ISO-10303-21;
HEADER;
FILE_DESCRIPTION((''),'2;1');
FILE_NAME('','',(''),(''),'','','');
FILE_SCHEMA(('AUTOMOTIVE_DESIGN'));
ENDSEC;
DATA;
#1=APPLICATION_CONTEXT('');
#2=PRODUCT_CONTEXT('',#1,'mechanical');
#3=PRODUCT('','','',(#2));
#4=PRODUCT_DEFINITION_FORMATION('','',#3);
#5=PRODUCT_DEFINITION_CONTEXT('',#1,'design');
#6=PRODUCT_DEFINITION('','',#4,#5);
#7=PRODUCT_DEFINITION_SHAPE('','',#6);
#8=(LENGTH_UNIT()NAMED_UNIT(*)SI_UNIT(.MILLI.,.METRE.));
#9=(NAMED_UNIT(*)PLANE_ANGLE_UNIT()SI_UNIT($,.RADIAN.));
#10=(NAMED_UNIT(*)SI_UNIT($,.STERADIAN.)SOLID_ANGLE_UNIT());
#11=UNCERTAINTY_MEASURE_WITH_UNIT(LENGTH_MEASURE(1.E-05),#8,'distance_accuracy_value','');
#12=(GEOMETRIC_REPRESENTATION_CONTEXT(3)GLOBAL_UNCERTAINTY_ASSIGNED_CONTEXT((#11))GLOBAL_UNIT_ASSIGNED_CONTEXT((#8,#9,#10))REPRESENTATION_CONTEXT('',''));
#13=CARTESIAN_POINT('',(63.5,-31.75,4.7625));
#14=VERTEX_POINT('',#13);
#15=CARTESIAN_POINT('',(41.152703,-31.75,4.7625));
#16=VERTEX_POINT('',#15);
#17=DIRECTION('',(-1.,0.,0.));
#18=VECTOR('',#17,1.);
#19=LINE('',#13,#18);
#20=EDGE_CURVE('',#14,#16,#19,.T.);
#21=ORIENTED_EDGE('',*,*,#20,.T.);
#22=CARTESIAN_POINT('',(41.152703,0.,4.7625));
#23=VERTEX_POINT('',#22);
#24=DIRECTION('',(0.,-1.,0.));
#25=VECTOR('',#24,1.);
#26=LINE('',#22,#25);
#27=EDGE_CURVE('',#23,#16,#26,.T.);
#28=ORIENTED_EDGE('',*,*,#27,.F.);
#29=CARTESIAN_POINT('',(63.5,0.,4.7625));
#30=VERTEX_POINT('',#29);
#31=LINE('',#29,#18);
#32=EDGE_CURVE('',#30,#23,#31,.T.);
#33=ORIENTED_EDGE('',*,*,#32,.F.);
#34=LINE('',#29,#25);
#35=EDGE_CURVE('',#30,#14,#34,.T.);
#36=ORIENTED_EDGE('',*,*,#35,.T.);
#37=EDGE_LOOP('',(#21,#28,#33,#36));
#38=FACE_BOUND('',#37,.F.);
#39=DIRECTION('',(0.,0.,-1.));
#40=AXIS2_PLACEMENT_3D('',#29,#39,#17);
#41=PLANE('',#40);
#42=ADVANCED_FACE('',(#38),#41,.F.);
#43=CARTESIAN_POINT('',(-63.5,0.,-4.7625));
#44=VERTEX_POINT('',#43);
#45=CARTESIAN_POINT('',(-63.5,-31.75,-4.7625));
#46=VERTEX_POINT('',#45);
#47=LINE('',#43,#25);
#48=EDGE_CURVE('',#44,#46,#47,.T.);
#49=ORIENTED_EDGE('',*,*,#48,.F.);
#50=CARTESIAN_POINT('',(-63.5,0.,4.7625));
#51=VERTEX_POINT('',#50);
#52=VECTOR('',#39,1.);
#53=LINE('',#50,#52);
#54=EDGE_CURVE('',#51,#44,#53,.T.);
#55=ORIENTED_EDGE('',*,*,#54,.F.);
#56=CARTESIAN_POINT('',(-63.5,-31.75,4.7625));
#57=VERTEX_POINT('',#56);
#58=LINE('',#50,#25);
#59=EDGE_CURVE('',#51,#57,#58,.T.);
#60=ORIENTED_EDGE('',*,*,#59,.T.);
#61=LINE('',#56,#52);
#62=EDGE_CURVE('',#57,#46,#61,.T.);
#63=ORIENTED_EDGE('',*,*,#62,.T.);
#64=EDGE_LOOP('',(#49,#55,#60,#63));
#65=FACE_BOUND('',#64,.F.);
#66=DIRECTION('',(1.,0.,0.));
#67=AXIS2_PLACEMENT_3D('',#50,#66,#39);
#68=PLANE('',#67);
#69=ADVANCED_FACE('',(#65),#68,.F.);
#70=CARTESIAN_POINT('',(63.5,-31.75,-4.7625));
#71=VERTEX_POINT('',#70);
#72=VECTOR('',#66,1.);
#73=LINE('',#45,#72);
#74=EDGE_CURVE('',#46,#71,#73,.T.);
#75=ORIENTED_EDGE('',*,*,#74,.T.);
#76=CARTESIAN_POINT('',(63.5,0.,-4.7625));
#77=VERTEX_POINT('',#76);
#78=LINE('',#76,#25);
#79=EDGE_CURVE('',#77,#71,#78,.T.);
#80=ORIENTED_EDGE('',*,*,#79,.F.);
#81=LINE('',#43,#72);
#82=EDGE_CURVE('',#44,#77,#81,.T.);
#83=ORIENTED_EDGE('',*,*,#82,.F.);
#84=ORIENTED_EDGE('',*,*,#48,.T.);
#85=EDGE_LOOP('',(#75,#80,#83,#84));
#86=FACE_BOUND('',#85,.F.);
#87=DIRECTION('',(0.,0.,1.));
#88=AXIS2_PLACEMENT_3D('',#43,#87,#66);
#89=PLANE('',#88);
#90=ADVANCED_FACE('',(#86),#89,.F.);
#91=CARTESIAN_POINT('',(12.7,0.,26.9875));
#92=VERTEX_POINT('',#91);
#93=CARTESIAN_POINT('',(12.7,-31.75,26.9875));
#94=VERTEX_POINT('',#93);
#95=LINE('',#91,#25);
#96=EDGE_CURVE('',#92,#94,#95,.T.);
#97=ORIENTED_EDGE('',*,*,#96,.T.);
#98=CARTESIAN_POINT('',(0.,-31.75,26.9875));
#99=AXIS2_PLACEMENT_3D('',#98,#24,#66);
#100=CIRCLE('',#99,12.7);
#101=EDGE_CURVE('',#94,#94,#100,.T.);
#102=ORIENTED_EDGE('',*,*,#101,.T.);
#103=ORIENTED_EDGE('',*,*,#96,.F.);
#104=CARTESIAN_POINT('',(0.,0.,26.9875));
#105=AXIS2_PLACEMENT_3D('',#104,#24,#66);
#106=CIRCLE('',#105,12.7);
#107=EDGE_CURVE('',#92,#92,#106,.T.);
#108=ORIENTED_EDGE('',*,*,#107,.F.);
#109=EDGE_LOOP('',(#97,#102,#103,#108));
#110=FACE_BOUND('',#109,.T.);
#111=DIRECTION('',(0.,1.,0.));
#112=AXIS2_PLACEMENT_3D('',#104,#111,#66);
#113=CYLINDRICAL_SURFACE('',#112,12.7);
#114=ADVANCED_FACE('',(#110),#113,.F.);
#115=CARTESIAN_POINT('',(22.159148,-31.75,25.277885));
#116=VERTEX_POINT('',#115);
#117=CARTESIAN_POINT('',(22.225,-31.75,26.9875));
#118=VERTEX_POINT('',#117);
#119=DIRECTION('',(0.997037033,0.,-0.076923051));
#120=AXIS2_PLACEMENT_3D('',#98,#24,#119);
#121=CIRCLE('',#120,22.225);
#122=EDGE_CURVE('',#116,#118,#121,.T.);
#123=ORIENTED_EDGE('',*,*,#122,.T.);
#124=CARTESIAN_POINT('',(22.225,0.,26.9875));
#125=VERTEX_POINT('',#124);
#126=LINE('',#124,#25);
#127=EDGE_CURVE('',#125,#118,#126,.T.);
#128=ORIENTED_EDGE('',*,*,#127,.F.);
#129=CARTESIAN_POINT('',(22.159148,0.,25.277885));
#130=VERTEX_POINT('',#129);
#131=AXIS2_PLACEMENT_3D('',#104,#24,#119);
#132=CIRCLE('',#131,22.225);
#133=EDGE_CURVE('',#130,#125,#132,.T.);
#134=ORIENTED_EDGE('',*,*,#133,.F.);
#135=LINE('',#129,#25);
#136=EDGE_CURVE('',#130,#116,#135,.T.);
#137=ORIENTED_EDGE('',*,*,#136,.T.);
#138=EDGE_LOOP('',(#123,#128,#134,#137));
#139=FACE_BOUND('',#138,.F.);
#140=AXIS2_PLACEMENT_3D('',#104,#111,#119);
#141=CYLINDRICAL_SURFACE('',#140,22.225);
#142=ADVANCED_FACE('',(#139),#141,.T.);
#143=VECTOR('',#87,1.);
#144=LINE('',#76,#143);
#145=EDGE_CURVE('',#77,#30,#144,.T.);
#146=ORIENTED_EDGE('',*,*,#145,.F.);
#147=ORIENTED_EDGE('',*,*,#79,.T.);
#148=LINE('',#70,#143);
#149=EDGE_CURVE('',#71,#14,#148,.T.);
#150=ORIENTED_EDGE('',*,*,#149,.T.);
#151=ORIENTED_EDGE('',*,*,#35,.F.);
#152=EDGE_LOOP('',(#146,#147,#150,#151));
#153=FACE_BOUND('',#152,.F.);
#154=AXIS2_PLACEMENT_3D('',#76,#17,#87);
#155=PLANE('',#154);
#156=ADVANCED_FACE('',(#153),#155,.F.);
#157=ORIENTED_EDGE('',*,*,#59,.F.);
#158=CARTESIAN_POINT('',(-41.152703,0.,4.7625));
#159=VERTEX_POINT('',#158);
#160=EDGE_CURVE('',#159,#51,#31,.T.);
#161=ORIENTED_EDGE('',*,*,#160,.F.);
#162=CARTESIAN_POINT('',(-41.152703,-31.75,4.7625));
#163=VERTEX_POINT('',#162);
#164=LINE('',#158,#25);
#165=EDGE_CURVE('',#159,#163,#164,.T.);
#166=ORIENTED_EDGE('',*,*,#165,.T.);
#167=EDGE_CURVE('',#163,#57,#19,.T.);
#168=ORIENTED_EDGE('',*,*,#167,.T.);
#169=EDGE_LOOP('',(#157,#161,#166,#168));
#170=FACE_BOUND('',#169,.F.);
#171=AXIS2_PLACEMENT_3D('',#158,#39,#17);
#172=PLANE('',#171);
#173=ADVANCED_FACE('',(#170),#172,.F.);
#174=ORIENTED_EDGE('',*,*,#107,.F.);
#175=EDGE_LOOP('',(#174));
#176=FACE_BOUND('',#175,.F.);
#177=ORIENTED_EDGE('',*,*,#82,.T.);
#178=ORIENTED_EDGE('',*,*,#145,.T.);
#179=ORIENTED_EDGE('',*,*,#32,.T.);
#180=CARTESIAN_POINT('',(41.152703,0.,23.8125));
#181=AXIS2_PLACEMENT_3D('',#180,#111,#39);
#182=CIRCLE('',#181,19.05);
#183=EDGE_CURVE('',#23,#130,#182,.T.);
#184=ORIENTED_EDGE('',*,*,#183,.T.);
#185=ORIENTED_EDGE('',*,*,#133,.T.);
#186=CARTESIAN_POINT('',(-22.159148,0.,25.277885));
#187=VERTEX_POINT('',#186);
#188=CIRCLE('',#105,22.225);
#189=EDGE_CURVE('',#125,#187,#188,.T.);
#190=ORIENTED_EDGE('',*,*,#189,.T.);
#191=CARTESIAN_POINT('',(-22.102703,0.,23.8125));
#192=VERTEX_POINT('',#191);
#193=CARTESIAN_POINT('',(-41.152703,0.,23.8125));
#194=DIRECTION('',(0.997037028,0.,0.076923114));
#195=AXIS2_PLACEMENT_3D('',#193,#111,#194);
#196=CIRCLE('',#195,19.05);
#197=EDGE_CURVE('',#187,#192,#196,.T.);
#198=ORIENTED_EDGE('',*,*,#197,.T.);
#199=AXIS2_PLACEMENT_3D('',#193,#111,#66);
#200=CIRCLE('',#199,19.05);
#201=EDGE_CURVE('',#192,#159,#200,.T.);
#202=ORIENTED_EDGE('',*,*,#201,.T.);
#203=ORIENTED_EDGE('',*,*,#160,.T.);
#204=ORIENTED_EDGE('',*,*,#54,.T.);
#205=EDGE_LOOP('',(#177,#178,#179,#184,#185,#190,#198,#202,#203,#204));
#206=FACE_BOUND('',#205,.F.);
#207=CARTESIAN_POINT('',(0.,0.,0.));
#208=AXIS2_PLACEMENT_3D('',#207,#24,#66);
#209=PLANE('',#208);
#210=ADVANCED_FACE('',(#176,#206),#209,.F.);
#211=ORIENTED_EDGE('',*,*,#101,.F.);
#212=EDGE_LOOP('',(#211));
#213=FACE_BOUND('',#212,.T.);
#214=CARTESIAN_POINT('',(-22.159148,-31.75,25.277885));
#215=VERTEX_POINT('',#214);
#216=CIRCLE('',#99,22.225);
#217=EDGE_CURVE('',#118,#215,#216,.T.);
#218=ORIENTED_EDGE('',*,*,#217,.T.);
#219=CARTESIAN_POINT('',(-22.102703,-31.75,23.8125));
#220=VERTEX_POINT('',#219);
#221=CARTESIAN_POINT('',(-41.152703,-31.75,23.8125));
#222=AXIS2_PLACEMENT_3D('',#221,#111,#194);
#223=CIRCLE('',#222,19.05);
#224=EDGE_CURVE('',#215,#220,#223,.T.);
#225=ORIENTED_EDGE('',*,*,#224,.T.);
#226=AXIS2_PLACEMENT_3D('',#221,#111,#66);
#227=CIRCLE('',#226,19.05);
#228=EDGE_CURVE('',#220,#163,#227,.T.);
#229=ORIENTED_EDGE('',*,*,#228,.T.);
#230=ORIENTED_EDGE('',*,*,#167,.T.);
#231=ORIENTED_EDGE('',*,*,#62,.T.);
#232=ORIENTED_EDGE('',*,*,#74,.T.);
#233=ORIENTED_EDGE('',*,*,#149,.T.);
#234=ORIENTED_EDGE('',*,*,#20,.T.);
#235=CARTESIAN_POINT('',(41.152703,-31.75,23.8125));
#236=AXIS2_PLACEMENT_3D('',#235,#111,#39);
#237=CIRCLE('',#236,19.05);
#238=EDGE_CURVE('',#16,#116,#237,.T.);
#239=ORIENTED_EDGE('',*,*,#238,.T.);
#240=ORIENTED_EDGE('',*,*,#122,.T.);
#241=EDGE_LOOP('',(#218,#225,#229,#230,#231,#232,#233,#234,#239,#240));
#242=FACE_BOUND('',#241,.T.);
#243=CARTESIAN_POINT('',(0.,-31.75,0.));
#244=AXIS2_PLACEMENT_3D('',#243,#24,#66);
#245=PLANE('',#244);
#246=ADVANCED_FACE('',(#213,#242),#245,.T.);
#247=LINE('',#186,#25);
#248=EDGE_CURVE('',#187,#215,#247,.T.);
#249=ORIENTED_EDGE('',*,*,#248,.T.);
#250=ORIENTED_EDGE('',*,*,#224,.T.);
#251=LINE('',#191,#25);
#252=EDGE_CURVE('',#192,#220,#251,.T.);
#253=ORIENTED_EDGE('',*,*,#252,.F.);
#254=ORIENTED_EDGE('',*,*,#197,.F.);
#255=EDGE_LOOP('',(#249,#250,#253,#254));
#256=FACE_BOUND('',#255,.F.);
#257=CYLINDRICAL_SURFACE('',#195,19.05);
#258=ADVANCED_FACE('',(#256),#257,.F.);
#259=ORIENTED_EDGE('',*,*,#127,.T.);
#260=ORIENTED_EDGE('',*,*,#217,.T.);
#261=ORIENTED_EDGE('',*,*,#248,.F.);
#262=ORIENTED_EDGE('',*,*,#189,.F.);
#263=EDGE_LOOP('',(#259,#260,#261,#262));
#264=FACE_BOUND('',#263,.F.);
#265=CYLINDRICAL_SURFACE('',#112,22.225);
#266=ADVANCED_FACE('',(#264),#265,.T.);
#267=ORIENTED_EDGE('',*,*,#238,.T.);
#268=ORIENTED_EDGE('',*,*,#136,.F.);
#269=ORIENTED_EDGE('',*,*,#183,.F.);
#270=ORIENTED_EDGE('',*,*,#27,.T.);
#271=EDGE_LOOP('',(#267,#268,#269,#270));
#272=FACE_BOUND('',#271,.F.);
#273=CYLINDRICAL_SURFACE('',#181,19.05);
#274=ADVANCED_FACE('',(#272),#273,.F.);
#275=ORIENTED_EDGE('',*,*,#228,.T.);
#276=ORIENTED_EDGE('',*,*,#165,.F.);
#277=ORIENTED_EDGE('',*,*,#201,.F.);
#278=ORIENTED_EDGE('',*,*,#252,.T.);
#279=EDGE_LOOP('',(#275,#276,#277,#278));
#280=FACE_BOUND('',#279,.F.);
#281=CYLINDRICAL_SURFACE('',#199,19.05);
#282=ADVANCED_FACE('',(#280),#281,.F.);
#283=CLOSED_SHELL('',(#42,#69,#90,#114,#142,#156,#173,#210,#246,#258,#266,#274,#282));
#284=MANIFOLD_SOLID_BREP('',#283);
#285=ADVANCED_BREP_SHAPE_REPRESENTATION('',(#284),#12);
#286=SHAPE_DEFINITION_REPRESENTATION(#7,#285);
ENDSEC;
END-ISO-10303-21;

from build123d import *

# Parameters (mm, degrees)
F0_R     = 12.7
F1_DEPTH = 31.75


with BuildPart() as f1:
    # F0 (on Front) → F1 (new body)
    with BuildSketch(Plane.XZ):
        Polygon((63.5, -4.7625), (63.5, 4.7625), (41.1527034349, 4.7625), (-3.4e-08, 4.7625), (-41.1527034349, 4.7625), (-63.5, 4.7625), (-63.5, -4.7625), align=None)
        with BuildLine():
            Line((-3.4e-08, 4.7625), (41.1527034349, 4.7625))
            ThreePointArc((41.1527034349, 4.7625), (27.1738249385, 10.8705737143), (22.1591480484, 25.2778851985))
            ThreePointArc((22.1591480484, 25.2778851985), (15.0989144524, 10.6788088398), (-3.4e-08, 4.7625))
        make_face()
        with BuildLine():
            Line((-41.1527034349, 4.7625), (-3.4e-08, 4.7625))
            ThreePointArc((-3.4e-08, 4.7625), (-15.0989145226, 10.6788089048), (-22.1591480579, 25.2778853214))
            ThreePointArc((-22.1591480579, 25.2778853214), (-22.1168198209, 24.5457360015), (-22.1027034349, 23.8125))
            ThreePointArc((-22.1027034349, 23.8125), (-27.6823192533, 10.3421158184), (-41.1527034349, 4.7625))
        make_face()
        with BuildLine():
            ThreePointArc((-22.1591480579, 25.2778853214), (-15.0989145226, 10.6788089048), (-3.4e-08, 4.7625))
            ThreePointArc((-3.4e-08, 4.7625), (15.0989144524, 10.6788088398), (22.1591480484, 25.2778851985))
            ThreePointArc((22.1591480484, 25.2778851985), (22.2085309102, 26.1320587032), (22.225, 26.9875))
            ThreePointArc((22.225, 26.9875), (-0.8554412352, 49.1960309125), (-22.1591480579, 25.2778853214))
        make_face()
        with Locations((0, 26.9875)):
            Circle(F0_R, mode=Mode.SUBTRACT)
    extrude(amount=F1_DEPTH)


solid = f1.part
